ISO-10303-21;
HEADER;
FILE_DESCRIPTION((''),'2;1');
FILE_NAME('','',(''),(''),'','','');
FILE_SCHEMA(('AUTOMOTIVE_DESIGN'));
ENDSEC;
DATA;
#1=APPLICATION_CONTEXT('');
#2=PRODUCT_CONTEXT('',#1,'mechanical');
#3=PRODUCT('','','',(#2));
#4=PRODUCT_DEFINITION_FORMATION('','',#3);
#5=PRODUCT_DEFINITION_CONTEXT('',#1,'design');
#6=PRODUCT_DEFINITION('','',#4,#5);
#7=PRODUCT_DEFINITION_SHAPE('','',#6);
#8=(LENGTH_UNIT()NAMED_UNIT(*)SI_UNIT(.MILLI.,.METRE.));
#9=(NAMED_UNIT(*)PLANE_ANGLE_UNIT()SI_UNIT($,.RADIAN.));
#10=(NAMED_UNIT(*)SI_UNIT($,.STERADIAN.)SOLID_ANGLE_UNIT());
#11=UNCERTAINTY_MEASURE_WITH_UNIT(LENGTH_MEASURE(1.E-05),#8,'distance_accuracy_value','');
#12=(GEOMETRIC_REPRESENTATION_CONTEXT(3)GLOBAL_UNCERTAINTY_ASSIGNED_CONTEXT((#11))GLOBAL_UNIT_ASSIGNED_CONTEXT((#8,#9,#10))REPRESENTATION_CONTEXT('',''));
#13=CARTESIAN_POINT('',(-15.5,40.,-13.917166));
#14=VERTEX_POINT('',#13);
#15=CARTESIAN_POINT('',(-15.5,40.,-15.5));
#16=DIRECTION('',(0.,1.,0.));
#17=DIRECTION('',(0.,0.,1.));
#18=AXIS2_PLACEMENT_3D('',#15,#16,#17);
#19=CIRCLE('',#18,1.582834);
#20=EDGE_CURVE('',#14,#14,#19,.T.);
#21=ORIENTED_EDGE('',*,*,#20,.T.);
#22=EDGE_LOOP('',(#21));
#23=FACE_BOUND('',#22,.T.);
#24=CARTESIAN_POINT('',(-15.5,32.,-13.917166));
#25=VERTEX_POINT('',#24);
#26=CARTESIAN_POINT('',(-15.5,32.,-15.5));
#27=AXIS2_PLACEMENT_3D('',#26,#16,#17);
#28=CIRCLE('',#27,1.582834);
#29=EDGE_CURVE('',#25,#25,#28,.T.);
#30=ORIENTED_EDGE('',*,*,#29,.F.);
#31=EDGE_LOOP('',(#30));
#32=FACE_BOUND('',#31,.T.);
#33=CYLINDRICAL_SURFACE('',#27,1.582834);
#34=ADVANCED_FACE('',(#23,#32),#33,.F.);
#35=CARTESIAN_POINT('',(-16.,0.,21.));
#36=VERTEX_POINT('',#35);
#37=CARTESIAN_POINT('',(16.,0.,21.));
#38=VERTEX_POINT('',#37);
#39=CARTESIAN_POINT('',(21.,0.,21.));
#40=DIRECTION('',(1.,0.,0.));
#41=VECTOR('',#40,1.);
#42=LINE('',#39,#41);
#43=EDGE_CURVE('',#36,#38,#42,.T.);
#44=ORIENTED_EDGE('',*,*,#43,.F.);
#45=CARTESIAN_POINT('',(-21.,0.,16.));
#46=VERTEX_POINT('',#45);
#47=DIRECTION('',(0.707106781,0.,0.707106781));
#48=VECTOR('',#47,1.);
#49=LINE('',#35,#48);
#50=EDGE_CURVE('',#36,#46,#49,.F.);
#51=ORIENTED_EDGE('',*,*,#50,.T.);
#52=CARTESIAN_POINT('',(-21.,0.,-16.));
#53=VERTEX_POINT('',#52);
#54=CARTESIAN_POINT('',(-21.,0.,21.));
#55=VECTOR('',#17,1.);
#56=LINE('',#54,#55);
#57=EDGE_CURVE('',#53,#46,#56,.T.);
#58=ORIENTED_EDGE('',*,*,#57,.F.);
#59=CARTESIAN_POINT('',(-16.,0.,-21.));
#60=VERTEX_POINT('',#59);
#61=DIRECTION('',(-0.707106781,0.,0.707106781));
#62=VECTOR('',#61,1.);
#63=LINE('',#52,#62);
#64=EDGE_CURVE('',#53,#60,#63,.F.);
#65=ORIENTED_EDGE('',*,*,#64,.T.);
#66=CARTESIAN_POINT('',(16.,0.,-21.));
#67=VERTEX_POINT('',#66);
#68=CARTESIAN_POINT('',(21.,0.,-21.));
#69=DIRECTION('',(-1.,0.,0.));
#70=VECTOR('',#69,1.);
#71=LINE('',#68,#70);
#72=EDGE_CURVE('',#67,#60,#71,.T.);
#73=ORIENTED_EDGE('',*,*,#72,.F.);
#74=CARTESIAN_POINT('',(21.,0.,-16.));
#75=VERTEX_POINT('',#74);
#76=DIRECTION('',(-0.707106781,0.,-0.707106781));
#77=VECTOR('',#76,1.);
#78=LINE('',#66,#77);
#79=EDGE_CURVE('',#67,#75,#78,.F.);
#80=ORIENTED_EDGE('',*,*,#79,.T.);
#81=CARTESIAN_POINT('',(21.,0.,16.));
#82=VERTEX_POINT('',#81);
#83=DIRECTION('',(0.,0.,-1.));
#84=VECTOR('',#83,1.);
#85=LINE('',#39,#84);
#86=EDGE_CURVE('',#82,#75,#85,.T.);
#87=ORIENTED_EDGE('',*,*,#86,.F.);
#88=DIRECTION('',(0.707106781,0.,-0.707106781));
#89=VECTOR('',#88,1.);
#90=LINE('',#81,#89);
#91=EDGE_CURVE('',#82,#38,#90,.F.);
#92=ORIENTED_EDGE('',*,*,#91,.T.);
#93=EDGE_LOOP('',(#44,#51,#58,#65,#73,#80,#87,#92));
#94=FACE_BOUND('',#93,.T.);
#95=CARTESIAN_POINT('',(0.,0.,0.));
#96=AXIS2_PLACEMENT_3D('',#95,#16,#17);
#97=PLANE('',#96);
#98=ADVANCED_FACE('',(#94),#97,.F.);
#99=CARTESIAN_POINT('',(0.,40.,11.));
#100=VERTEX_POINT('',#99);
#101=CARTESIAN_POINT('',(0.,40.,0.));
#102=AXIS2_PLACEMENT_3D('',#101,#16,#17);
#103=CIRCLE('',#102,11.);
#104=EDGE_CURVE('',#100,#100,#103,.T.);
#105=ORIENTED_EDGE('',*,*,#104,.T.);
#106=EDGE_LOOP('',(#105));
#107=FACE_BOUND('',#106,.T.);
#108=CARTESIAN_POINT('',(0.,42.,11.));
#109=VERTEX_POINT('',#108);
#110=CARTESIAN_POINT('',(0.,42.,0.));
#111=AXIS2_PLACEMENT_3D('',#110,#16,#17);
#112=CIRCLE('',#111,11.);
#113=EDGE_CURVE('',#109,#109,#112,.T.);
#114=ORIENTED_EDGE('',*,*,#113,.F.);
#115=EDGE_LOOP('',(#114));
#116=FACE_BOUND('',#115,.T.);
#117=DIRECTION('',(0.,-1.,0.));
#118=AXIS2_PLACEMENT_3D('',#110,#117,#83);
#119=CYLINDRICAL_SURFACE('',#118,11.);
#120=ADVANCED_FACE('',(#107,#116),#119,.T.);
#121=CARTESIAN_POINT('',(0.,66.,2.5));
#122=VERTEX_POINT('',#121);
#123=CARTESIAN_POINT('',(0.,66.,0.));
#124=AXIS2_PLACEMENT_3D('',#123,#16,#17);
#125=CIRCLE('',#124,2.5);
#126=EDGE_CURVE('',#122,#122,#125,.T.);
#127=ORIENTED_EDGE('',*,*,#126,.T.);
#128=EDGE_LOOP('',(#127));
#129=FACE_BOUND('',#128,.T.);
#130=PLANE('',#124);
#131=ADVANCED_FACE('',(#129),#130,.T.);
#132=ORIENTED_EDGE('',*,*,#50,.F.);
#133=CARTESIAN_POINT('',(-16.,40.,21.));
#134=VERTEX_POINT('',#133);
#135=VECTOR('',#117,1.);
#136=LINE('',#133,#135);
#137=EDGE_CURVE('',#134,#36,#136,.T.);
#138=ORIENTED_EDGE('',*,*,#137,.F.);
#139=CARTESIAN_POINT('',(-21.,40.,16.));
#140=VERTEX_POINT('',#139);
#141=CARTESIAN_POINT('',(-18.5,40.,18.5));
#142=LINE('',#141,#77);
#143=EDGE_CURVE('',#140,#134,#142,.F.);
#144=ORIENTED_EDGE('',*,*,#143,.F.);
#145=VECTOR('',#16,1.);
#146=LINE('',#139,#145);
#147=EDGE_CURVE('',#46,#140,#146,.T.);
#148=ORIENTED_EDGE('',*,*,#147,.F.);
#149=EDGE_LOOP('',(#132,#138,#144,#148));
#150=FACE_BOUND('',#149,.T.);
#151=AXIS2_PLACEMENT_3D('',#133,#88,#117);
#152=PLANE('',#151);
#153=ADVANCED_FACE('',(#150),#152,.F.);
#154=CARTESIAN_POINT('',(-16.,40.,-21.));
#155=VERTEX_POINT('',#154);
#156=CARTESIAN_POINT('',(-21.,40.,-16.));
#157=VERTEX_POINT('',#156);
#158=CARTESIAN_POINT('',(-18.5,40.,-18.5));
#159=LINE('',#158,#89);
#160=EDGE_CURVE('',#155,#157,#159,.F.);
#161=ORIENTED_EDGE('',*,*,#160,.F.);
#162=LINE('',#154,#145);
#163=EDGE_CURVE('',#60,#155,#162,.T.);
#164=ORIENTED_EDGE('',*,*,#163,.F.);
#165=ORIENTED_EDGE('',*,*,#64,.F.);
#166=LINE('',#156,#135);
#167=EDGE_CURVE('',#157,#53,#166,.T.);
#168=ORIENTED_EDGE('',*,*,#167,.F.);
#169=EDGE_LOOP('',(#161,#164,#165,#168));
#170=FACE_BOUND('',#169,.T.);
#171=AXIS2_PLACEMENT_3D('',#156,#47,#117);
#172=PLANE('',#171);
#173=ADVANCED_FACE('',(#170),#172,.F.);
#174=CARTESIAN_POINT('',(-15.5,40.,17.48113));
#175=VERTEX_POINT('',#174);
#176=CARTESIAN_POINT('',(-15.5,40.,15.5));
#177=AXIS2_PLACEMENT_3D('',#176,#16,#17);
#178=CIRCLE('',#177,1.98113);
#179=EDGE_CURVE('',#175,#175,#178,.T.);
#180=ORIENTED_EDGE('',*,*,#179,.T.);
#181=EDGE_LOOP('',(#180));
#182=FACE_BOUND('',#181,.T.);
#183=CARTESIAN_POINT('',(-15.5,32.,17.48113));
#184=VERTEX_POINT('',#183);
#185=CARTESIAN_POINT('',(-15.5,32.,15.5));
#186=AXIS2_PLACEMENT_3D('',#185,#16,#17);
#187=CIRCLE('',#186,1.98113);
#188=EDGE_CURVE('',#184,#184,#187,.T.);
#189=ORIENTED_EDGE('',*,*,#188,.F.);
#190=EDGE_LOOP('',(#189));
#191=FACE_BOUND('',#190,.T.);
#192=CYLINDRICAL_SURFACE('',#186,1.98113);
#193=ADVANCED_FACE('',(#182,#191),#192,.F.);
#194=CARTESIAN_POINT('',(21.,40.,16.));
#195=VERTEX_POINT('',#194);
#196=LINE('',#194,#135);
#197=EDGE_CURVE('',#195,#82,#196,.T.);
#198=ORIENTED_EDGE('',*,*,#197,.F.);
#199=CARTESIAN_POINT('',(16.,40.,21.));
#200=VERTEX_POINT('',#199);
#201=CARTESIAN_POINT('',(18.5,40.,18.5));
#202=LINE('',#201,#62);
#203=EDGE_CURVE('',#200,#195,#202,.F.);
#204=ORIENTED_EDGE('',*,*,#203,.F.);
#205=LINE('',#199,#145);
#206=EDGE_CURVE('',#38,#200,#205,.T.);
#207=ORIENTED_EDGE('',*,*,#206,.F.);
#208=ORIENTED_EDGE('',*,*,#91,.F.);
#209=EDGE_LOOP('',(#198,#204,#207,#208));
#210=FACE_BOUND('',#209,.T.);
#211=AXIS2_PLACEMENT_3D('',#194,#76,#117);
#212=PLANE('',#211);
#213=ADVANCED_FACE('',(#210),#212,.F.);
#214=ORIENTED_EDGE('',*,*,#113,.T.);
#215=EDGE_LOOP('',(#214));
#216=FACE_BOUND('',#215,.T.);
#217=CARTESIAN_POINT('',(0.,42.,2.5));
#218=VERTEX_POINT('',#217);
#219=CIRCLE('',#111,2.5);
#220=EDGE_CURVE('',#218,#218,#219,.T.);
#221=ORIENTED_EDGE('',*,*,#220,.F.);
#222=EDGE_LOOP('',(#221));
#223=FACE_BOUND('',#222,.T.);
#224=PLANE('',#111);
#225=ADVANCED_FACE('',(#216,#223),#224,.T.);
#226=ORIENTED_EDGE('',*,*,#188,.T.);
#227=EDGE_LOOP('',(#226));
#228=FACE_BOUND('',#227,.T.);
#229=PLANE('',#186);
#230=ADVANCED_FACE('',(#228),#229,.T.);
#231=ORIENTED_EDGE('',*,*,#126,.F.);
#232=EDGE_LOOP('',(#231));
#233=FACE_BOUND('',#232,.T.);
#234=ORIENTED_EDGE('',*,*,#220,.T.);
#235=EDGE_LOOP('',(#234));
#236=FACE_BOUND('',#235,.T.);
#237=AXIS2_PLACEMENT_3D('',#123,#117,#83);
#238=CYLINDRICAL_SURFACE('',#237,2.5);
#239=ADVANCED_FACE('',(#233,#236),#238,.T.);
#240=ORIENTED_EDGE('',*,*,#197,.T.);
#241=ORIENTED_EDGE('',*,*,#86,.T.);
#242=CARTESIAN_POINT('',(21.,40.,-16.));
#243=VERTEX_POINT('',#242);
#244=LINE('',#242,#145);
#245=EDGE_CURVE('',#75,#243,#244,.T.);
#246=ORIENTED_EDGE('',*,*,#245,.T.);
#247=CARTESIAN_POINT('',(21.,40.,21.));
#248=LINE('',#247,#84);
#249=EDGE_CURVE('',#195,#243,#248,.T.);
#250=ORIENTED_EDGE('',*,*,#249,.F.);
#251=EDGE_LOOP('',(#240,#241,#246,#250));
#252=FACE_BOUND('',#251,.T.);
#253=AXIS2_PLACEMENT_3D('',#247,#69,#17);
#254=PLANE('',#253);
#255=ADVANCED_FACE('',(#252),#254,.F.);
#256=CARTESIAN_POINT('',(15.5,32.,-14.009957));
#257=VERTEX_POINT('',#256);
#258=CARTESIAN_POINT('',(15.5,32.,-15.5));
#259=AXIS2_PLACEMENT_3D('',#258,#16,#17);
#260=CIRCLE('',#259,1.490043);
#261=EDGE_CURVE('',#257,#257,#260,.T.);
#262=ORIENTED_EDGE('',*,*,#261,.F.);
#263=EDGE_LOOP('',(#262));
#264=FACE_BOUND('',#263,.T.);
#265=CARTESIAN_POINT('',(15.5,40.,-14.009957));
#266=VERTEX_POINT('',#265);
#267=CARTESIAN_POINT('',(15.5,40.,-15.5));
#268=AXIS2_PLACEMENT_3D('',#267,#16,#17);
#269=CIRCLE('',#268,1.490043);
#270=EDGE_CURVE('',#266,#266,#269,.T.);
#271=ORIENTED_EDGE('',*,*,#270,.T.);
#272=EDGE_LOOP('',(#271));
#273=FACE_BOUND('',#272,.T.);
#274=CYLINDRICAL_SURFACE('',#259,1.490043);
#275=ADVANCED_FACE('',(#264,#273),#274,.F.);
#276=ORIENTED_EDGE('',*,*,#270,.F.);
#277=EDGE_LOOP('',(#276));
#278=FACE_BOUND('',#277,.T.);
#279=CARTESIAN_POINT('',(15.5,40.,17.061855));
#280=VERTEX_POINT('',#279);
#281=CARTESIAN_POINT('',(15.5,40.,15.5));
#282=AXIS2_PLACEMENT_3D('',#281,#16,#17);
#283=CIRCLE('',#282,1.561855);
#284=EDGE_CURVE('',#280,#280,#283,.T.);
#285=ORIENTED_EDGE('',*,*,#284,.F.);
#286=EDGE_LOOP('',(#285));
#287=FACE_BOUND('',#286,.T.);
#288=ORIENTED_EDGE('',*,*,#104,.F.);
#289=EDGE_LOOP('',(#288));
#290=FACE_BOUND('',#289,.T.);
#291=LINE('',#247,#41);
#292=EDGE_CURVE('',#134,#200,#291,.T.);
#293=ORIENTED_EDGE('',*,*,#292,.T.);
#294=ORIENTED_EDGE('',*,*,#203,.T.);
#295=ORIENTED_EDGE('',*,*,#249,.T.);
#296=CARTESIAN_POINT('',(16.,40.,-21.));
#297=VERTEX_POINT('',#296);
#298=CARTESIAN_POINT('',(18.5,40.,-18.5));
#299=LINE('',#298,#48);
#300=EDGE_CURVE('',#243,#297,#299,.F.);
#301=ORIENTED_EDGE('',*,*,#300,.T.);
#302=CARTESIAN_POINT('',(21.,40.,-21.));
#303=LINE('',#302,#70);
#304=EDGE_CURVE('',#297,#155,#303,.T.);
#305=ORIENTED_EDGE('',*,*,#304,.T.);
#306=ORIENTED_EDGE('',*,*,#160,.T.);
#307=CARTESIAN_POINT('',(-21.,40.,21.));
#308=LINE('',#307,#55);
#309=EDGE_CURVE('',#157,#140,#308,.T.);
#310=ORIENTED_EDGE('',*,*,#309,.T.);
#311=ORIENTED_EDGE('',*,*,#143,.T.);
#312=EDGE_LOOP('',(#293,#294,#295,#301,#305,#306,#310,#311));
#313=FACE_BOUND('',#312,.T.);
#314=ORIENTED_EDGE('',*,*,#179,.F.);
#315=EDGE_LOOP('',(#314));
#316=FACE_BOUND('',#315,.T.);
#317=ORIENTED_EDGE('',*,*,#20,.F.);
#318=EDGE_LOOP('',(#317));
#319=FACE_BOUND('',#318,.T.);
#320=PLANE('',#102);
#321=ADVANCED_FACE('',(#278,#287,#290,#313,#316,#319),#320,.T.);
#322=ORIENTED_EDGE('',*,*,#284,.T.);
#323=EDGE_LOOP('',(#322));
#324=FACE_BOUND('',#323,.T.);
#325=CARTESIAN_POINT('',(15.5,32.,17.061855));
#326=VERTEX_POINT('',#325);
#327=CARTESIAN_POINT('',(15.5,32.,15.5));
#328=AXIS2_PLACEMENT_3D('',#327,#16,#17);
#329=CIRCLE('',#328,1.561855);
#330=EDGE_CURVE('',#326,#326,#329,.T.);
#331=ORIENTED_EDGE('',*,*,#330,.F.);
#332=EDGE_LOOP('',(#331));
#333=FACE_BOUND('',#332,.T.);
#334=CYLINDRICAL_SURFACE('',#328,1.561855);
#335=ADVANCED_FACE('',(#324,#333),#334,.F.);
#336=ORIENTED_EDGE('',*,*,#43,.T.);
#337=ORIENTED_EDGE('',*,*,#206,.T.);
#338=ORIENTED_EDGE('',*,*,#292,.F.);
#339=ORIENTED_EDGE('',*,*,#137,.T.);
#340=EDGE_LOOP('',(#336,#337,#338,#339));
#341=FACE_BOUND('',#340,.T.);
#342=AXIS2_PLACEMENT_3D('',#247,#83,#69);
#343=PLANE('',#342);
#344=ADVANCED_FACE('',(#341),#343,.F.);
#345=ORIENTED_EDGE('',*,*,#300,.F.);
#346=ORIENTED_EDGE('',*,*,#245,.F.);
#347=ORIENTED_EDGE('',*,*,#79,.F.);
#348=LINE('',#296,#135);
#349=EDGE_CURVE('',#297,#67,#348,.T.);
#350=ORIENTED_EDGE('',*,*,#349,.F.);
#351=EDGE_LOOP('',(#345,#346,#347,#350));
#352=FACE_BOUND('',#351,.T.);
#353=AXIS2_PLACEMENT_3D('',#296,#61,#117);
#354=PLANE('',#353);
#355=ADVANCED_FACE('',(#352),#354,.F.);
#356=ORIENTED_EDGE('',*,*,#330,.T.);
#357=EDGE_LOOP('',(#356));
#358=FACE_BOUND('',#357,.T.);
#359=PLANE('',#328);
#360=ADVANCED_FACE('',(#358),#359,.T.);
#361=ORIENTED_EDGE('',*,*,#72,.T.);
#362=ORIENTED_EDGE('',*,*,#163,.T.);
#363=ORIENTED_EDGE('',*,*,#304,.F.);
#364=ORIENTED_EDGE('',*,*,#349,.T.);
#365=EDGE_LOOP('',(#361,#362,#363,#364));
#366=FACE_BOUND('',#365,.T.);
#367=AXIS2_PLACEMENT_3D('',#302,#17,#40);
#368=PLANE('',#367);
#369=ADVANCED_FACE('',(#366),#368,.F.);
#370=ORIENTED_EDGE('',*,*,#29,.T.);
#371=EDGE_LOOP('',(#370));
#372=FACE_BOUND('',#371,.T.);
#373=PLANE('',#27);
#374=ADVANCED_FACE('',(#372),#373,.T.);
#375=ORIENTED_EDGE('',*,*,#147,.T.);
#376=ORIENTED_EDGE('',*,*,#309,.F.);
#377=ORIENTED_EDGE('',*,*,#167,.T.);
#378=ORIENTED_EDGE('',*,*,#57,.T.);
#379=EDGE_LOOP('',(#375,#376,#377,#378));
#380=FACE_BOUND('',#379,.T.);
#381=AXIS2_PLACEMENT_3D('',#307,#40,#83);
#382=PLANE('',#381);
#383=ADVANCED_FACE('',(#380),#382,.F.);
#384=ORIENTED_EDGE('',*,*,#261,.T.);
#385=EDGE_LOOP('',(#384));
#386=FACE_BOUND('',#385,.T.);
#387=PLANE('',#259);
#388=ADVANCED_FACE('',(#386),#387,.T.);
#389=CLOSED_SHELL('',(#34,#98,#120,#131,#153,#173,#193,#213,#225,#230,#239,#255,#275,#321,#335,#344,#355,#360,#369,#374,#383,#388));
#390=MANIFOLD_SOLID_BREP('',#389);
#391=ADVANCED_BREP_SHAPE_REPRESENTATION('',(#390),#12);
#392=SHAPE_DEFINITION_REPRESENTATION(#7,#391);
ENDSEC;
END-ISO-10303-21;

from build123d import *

# Parameters (mm, degrees)
SKETCH1_W           = 42
SKETCH1_H           = 42
BOSS_EXTRUDE1_DEPTH = 40
CHAMFER1_SIZE       = 5
SKETCH2_R           = 11
BOSS_EXTRUDE2_DEPTH = 2
SKETCH3_R           = 1.490042647
SKETCH3_R_2         = 1.56185503
SKETCH3_R_3         = 1.981129843
SKETCH3_R_4         = 1.582833873
CUT_EXTRUDE1_DEPTH  = 8
SKETCH4_R           = 2.5
BOSS_EXTRUDE3_DEPTH = 24


with BuildPart() as part:
    # Sketch1 → Boss-Extrude1 (new body)
    with BuildSketch(Plane(origin=(0, 0, 0), x_dir=(1, 0, 0), z_dir=(0, 1, 0))):
        Rectangle(SKETCH1_W, SKETCH1_H)
    extrude(amount=BOSS_EXTRUDE1_DEPTH)

    # Chamfer1
    chamfer1_edges = [part.edges().sort_by_distance(p)[0] for p in [
        (-21, 20, -21),
        (21, 20, -21),
        (21, 20, 21),
        (-21, 20, 21),
    ]]
    chamfer(chamfer1_edges, length=CHAMFER1_SIZE)

    # Sketch2 → Boss-Extrude2 (add)
    with BuildSketch(Plane(origin=(0, 40, 0), x_dir=(1, 0, 0), z_dir=(0, 1, 0))):
        Circle(SKETCH2_R)
    extrude(amount=BOSS_EXTRUDE2_DEPTH)

    # Sketch3 → Cut-Extrude1 (cut)
    with BuildSketch(Plane(origin=(0, 40, 0), x_dir=(1, 0, 0), z_dir=(0, 1, 0))):
        with Locations((15.5, 15.5)):
            Circle(SKETCH3_R)
        with Locations((15.5, -15.5)):
            Circle(SKETCH3_R_2)
        with Locations((-15.5, -15.5)):
            Circle(SKETCH3_R_3)
        with Locations((-15.5, 15.5)):
            Circle(SKETCH3_R_4)
    extrude(amount=-CUT_EXTRUDE1_DEPTH, mode=Mode.SUBTRACT)

    # Sketch4 → Boss-Extrude3 (add)
    with BuildSketch(Plane(origin=(0, 42, 0), x_dir=(1, 0, 0), z_dir=(0, 1, 0))):
        Circle(SKETCH4_R)
    extrude(amount=BOSS_EXTRUDE3_DEPTH)


solid = part.part
